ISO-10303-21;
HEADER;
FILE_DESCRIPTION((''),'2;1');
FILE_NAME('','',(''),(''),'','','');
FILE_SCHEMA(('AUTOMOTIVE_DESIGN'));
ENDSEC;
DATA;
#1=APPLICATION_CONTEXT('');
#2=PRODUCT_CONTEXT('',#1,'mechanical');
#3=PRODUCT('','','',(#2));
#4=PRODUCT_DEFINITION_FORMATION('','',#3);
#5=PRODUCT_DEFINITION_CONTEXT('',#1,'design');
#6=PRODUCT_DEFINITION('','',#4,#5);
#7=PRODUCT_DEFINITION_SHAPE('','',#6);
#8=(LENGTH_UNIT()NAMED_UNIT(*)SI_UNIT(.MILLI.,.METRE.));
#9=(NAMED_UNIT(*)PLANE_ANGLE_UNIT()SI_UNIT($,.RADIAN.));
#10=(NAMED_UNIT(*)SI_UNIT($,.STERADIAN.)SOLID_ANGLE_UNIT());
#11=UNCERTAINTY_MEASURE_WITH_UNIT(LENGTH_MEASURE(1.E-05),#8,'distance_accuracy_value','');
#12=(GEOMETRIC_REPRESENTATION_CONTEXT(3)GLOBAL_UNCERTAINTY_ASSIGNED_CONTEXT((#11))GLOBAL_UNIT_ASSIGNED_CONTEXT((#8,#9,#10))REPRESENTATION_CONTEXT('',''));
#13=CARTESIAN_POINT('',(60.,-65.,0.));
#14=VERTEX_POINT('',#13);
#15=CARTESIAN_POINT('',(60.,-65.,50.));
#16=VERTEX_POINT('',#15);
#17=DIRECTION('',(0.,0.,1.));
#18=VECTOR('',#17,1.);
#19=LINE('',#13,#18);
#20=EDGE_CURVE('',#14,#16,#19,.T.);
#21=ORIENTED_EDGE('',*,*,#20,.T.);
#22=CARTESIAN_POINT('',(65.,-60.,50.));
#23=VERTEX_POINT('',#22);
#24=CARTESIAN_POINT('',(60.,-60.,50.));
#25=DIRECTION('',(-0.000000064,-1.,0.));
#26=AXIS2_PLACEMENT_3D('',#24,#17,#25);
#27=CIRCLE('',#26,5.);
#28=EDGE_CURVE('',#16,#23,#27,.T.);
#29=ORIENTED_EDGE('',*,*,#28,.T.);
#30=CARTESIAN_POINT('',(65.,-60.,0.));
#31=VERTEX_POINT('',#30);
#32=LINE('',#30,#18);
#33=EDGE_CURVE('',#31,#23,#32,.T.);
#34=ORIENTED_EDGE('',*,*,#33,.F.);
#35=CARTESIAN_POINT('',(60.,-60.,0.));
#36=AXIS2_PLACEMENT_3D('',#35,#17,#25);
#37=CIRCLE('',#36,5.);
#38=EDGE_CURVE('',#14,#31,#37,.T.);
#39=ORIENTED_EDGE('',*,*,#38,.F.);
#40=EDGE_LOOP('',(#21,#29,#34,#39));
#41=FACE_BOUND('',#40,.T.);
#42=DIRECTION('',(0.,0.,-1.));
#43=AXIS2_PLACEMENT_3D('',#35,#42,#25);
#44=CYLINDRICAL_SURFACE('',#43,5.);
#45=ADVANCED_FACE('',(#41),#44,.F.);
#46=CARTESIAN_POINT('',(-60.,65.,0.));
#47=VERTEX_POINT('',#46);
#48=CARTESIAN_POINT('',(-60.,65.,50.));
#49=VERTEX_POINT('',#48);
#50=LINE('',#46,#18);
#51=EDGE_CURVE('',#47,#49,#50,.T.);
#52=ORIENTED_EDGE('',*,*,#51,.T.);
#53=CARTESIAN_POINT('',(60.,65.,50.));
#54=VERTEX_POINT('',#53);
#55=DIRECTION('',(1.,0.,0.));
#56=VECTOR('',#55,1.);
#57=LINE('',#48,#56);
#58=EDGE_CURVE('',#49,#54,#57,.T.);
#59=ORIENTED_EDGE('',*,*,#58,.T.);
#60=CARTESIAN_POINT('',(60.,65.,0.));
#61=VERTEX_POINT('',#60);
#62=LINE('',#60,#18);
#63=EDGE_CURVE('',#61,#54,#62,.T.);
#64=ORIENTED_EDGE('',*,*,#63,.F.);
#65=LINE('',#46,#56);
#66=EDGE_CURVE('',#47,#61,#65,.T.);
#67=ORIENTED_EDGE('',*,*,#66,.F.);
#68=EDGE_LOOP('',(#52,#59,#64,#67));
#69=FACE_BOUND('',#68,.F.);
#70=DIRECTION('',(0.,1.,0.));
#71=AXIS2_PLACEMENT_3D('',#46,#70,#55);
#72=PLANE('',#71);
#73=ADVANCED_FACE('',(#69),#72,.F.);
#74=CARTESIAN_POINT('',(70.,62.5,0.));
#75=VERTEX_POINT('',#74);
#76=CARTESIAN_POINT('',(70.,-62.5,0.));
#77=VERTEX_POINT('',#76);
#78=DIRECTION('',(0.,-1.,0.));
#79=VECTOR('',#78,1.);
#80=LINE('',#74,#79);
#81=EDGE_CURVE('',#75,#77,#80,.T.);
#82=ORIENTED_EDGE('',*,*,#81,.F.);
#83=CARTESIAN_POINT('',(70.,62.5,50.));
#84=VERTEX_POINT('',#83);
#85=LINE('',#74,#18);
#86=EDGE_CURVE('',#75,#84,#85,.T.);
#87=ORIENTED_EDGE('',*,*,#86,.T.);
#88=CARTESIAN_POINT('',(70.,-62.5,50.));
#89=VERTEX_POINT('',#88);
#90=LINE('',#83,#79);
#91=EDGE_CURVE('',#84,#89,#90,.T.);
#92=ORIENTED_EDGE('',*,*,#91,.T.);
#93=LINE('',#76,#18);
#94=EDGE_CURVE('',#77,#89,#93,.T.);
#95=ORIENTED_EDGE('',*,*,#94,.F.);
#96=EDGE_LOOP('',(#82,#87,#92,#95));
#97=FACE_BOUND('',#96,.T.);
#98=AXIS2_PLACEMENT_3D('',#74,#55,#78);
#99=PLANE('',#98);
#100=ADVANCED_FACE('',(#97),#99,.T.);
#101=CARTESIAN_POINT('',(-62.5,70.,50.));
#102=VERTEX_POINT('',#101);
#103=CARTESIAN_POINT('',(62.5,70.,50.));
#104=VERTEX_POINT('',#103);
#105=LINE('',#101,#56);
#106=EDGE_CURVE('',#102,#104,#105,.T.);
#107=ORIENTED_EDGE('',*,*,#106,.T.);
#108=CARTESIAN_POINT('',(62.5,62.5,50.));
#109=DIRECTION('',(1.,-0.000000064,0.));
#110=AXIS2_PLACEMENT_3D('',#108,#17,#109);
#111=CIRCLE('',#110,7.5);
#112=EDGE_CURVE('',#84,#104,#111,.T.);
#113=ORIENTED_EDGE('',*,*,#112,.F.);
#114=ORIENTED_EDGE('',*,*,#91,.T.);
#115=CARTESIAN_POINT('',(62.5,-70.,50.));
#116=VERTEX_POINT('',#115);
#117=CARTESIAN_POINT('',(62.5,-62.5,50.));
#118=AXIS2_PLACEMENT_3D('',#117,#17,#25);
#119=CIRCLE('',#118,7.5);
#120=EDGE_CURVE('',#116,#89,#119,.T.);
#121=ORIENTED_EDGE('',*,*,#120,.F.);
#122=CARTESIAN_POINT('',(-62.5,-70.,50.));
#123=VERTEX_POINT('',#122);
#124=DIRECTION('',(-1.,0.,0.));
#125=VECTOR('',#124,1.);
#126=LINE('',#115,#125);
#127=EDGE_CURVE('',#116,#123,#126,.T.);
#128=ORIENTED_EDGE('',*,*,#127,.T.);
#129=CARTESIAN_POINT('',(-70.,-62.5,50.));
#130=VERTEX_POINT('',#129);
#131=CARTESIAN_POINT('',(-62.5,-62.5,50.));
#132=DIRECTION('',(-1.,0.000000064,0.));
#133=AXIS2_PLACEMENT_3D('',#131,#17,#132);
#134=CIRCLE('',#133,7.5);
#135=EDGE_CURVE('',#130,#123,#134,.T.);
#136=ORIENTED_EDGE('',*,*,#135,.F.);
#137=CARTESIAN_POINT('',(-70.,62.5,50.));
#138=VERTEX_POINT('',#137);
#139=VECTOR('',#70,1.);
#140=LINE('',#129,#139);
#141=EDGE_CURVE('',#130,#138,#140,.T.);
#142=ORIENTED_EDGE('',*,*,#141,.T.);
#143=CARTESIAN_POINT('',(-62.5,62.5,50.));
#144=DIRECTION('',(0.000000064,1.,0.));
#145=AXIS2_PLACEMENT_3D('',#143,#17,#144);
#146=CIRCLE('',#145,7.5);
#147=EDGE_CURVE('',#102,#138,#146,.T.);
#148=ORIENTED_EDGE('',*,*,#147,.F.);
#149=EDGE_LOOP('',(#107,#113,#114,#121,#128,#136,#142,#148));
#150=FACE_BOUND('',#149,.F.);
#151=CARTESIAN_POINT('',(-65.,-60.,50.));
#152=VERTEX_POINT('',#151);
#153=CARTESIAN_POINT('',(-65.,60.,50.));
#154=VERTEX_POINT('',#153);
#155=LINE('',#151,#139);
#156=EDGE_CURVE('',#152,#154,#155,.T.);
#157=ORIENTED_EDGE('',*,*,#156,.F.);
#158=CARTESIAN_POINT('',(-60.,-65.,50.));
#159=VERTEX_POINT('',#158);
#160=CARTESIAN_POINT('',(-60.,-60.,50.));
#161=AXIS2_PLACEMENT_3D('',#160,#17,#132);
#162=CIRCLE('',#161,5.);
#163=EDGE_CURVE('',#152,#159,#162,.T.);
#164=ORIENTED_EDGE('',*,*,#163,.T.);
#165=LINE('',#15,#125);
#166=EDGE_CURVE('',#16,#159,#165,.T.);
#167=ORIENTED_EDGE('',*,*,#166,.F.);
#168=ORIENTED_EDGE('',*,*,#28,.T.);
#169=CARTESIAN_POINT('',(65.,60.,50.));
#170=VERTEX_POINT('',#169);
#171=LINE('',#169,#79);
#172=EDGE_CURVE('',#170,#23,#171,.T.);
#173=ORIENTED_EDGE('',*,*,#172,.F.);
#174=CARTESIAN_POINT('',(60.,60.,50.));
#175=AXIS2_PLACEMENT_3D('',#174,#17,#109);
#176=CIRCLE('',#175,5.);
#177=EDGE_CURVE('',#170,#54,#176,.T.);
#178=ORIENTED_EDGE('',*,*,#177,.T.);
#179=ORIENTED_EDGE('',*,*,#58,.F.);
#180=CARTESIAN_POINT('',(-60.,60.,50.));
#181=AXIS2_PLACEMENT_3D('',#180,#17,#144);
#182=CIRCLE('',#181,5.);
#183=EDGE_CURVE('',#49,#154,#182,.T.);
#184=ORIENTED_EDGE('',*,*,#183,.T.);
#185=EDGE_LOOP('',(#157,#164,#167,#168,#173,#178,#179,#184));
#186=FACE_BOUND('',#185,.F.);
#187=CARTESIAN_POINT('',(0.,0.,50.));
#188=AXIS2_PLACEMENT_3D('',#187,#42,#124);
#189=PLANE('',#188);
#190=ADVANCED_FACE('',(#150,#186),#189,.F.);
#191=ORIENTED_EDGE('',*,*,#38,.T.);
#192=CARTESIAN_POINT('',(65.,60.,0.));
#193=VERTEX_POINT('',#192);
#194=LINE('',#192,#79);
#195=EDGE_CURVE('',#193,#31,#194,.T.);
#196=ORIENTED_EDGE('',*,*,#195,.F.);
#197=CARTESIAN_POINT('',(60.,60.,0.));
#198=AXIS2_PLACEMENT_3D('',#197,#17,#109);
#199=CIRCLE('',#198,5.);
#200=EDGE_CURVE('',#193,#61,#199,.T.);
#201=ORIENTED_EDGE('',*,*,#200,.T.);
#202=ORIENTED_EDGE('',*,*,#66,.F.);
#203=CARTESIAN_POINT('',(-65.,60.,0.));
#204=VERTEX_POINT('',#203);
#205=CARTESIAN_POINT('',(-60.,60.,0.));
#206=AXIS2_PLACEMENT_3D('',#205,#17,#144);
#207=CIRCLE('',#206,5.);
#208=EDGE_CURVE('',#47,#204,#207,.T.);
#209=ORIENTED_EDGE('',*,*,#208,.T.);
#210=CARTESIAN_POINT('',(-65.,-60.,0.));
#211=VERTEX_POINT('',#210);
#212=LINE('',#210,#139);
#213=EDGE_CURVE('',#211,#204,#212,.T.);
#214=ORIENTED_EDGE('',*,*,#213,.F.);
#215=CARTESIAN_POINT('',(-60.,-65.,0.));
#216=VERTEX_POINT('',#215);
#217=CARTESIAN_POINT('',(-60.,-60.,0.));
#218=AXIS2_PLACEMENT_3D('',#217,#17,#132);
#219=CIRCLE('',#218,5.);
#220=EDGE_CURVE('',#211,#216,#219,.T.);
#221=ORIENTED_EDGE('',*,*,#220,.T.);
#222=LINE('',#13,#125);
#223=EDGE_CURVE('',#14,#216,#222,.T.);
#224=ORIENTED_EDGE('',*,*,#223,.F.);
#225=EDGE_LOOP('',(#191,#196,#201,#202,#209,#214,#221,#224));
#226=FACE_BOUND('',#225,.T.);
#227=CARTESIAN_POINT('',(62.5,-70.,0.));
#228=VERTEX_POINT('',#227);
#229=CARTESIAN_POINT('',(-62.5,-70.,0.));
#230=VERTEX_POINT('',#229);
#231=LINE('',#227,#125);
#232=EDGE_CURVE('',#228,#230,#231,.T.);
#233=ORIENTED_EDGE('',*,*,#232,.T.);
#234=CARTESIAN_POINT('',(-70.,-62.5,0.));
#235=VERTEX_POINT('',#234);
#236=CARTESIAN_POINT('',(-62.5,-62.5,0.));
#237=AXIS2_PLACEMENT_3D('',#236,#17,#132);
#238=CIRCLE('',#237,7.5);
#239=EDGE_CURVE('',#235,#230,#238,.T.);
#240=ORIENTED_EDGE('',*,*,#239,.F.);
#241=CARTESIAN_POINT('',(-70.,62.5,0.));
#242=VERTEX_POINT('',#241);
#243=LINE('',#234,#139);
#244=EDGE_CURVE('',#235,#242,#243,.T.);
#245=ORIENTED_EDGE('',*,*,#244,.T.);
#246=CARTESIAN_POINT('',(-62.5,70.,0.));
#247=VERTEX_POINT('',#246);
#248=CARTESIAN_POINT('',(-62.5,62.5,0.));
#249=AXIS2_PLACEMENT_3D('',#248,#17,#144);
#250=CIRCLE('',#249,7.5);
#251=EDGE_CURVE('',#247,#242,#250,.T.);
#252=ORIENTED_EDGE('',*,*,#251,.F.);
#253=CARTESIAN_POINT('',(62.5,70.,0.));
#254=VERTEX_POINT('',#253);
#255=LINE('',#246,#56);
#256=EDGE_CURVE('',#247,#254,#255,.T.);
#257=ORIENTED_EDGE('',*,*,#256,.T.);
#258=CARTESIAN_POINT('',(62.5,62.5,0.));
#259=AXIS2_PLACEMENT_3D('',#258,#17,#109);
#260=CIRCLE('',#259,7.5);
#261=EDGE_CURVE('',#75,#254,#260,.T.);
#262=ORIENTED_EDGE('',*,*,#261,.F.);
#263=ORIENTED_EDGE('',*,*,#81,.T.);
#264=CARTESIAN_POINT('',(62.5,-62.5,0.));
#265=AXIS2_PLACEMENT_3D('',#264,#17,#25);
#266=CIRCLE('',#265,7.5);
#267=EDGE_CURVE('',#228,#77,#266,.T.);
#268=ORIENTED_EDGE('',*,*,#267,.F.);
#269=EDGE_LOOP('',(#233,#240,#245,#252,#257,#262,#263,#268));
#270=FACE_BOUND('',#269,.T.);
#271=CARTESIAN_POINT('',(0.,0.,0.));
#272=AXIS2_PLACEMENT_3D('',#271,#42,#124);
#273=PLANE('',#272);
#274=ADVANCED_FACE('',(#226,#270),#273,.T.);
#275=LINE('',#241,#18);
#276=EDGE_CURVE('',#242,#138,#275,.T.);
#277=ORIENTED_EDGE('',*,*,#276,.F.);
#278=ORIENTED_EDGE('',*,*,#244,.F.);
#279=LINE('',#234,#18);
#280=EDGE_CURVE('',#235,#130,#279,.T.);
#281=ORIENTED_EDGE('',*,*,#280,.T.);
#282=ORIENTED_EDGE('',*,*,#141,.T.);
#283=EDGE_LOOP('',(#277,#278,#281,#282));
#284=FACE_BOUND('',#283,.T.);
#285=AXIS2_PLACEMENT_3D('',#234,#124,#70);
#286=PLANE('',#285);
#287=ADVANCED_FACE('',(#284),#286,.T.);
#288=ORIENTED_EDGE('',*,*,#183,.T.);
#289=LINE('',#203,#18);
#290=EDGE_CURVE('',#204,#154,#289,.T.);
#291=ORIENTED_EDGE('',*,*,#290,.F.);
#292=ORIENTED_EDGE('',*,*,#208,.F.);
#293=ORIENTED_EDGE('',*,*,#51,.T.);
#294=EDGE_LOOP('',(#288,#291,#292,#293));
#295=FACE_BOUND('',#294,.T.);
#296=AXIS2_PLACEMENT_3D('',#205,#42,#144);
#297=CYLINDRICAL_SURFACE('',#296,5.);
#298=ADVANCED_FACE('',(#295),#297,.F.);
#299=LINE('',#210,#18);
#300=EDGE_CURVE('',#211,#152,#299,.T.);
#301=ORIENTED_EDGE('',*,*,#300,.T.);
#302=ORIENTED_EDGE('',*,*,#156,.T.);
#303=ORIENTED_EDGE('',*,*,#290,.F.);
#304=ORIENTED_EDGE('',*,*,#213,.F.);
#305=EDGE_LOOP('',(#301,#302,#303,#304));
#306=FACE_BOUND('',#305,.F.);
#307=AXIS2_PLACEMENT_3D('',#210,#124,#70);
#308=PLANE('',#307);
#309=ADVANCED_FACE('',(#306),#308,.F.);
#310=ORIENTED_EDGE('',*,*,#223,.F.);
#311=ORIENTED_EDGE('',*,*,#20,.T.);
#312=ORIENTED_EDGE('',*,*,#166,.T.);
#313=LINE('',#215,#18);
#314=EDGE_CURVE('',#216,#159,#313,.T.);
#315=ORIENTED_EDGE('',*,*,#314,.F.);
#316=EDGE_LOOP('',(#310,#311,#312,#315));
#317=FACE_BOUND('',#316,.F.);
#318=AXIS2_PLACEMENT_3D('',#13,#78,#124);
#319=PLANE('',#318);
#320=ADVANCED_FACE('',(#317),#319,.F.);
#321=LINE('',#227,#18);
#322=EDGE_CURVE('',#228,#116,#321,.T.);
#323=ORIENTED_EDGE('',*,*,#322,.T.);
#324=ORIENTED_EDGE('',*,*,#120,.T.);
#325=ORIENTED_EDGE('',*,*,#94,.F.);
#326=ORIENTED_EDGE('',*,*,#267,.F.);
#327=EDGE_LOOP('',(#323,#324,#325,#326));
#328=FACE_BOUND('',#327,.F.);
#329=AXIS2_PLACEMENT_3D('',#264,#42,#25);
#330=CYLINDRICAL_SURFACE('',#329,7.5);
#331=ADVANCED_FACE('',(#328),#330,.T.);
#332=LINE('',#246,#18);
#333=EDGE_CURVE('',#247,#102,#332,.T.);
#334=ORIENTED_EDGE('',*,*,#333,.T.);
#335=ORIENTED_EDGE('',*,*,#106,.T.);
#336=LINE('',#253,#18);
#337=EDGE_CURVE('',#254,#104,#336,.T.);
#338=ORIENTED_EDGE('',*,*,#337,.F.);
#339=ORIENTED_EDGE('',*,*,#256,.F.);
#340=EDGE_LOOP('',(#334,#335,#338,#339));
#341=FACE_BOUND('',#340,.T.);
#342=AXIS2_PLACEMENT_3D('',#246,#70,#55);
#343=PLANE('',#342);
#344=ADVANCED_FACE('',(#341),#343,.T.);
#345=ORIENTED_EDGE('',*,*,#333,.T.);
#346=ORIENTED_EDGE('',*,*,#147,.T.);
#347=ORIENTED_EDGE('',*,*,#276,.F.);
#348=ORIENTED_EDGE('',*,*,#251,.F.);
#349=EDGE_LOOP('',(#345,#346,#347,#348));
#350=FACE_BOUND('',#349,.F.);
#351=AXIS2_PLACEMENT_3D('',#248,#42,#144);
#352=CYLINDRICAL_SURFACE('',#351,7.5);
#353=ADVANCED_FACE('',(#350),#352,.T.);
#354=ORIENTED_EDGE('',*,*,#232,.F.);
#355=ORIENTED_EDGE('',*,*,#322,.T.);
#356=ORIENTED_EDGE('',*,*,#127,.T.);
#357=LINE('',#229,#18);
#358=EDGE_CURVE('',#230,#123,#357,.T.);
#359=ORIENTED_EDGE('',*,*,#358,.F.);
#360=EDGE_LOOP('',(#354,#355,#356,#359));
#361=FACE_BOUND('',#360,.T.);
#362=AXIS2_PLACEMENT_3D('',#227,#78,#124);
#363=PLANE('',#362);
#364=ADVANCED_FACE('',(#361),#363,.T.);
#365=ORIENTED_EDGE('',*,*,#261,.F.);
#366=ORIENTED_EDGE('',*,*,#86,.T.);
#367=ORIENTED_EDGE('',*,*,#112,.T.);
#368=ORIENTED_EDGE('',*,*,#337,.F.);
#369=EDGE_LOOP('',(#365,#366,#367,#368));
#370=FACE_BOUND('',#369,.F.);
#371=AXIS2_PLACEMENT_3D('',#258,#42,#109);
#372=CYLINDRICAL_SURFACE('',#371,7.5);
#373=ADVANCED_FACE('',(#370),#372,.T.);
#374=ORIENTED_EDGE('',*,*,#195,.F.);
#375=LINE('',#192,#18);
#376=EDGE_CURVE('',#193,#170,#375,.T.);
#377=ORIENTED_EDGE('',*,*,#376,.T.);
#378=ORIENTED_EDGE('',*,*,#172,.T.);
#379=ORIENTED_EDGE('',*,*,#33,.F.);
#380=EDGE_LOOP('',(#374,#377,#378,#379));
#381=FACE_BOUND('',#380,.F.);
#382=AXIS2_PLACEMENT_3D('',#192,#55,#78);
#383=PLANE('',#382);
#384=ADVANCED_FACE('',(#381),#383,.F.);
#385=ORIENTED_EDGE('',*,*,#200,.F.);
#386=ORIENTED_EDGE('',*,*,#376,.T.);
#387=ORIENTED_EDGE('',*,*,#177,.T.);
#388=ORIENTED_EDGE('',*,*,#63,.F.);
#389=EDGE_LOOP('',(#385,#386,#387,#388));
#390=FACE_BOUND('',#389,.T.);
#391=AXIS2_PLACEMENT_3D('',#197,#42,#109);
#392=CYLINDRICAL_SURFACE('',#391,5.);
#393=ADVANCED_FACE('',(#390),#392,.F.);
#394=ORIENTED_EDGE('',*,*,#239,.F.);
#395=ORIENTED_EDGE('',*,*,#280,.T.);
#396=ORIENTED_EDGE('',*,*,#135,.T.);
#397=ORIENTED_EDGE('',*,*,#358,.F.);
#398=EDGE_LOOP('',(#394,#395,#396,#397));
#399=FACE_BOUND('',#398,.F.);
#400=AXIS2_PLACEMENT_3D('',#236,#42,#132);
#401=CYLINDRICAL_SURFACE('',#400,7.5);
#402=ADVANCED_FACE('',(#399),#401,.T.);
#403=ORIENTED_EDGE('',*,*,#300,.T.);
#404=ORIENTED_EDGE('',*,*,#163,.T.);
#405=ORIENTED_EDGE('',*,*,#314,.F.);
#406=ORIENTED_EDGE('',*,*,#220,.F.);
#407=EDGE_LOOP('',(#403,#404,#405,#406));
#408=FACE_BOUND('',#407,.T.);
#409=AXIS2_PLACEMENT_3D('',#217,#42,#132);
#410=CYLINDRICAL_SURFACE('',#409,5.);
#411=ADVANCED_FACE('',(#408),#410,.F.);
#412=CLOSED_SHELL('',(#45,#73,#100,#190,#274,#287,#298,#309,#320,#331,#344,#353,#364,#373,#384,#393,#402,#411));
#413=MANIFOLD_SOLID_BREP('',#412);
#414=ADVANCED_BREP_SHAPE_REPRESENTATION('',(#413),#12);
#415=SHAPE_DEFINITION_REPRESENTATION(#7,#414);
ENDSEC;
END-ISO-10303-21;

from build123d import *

# Parameters (mm, degrees)
EXTRUDE_DEPTH = 50


with BuildPart() as part:
    # Sketch → Extrude (new body)
    with BuildSketch(Plane.XY):
        with BuildLine():
            Line((-62.5, 70), (62.5, 70))
            ThreePointArc((70, 62.5), (67.803301, 67.803301), (62.5, 70))
            Line((70, 62.5), (70, -62.5))
            ThreePointArc((62.5, -70), (67.803301, -67.803301), (70, -62.5))
            Line((62.5, -70), (-62.5, -70))
            ThreePointArc((-70, -62.5), (-67.803301, -67.803301), (-62.5, -70))
            Line((-70, -62.5), (-70, 62.5))
            ThreePointArc((-62.5, 70), (-67.803301, 67.803301), (-70, 62.5))
        make_face()
        with BuildLine():
            Line((-60, 65), (60, 65))
            ThreePointArc((65, 60), (63.535534, 63.535534), (60, 65))
            Line((65, 60), (65, -60))
            ThreePointArc((60, -65), (63.535534, -63.535534), (65, -60))
            Line((60, -65), (-60, -65))
            ThreePointArc((-65, -60), (-63.535534, -63.535534), (-60, -65))
            Line((-65, -60), (-65, 60))
            ThreePointArc((-60, 65), (-63.535534, 63.535534), (-65, 60))
        make_face(mode=Mode.SUBTRACT)
    extrude(amount=EXTRUDE_DEPTH)


solid = part.part
